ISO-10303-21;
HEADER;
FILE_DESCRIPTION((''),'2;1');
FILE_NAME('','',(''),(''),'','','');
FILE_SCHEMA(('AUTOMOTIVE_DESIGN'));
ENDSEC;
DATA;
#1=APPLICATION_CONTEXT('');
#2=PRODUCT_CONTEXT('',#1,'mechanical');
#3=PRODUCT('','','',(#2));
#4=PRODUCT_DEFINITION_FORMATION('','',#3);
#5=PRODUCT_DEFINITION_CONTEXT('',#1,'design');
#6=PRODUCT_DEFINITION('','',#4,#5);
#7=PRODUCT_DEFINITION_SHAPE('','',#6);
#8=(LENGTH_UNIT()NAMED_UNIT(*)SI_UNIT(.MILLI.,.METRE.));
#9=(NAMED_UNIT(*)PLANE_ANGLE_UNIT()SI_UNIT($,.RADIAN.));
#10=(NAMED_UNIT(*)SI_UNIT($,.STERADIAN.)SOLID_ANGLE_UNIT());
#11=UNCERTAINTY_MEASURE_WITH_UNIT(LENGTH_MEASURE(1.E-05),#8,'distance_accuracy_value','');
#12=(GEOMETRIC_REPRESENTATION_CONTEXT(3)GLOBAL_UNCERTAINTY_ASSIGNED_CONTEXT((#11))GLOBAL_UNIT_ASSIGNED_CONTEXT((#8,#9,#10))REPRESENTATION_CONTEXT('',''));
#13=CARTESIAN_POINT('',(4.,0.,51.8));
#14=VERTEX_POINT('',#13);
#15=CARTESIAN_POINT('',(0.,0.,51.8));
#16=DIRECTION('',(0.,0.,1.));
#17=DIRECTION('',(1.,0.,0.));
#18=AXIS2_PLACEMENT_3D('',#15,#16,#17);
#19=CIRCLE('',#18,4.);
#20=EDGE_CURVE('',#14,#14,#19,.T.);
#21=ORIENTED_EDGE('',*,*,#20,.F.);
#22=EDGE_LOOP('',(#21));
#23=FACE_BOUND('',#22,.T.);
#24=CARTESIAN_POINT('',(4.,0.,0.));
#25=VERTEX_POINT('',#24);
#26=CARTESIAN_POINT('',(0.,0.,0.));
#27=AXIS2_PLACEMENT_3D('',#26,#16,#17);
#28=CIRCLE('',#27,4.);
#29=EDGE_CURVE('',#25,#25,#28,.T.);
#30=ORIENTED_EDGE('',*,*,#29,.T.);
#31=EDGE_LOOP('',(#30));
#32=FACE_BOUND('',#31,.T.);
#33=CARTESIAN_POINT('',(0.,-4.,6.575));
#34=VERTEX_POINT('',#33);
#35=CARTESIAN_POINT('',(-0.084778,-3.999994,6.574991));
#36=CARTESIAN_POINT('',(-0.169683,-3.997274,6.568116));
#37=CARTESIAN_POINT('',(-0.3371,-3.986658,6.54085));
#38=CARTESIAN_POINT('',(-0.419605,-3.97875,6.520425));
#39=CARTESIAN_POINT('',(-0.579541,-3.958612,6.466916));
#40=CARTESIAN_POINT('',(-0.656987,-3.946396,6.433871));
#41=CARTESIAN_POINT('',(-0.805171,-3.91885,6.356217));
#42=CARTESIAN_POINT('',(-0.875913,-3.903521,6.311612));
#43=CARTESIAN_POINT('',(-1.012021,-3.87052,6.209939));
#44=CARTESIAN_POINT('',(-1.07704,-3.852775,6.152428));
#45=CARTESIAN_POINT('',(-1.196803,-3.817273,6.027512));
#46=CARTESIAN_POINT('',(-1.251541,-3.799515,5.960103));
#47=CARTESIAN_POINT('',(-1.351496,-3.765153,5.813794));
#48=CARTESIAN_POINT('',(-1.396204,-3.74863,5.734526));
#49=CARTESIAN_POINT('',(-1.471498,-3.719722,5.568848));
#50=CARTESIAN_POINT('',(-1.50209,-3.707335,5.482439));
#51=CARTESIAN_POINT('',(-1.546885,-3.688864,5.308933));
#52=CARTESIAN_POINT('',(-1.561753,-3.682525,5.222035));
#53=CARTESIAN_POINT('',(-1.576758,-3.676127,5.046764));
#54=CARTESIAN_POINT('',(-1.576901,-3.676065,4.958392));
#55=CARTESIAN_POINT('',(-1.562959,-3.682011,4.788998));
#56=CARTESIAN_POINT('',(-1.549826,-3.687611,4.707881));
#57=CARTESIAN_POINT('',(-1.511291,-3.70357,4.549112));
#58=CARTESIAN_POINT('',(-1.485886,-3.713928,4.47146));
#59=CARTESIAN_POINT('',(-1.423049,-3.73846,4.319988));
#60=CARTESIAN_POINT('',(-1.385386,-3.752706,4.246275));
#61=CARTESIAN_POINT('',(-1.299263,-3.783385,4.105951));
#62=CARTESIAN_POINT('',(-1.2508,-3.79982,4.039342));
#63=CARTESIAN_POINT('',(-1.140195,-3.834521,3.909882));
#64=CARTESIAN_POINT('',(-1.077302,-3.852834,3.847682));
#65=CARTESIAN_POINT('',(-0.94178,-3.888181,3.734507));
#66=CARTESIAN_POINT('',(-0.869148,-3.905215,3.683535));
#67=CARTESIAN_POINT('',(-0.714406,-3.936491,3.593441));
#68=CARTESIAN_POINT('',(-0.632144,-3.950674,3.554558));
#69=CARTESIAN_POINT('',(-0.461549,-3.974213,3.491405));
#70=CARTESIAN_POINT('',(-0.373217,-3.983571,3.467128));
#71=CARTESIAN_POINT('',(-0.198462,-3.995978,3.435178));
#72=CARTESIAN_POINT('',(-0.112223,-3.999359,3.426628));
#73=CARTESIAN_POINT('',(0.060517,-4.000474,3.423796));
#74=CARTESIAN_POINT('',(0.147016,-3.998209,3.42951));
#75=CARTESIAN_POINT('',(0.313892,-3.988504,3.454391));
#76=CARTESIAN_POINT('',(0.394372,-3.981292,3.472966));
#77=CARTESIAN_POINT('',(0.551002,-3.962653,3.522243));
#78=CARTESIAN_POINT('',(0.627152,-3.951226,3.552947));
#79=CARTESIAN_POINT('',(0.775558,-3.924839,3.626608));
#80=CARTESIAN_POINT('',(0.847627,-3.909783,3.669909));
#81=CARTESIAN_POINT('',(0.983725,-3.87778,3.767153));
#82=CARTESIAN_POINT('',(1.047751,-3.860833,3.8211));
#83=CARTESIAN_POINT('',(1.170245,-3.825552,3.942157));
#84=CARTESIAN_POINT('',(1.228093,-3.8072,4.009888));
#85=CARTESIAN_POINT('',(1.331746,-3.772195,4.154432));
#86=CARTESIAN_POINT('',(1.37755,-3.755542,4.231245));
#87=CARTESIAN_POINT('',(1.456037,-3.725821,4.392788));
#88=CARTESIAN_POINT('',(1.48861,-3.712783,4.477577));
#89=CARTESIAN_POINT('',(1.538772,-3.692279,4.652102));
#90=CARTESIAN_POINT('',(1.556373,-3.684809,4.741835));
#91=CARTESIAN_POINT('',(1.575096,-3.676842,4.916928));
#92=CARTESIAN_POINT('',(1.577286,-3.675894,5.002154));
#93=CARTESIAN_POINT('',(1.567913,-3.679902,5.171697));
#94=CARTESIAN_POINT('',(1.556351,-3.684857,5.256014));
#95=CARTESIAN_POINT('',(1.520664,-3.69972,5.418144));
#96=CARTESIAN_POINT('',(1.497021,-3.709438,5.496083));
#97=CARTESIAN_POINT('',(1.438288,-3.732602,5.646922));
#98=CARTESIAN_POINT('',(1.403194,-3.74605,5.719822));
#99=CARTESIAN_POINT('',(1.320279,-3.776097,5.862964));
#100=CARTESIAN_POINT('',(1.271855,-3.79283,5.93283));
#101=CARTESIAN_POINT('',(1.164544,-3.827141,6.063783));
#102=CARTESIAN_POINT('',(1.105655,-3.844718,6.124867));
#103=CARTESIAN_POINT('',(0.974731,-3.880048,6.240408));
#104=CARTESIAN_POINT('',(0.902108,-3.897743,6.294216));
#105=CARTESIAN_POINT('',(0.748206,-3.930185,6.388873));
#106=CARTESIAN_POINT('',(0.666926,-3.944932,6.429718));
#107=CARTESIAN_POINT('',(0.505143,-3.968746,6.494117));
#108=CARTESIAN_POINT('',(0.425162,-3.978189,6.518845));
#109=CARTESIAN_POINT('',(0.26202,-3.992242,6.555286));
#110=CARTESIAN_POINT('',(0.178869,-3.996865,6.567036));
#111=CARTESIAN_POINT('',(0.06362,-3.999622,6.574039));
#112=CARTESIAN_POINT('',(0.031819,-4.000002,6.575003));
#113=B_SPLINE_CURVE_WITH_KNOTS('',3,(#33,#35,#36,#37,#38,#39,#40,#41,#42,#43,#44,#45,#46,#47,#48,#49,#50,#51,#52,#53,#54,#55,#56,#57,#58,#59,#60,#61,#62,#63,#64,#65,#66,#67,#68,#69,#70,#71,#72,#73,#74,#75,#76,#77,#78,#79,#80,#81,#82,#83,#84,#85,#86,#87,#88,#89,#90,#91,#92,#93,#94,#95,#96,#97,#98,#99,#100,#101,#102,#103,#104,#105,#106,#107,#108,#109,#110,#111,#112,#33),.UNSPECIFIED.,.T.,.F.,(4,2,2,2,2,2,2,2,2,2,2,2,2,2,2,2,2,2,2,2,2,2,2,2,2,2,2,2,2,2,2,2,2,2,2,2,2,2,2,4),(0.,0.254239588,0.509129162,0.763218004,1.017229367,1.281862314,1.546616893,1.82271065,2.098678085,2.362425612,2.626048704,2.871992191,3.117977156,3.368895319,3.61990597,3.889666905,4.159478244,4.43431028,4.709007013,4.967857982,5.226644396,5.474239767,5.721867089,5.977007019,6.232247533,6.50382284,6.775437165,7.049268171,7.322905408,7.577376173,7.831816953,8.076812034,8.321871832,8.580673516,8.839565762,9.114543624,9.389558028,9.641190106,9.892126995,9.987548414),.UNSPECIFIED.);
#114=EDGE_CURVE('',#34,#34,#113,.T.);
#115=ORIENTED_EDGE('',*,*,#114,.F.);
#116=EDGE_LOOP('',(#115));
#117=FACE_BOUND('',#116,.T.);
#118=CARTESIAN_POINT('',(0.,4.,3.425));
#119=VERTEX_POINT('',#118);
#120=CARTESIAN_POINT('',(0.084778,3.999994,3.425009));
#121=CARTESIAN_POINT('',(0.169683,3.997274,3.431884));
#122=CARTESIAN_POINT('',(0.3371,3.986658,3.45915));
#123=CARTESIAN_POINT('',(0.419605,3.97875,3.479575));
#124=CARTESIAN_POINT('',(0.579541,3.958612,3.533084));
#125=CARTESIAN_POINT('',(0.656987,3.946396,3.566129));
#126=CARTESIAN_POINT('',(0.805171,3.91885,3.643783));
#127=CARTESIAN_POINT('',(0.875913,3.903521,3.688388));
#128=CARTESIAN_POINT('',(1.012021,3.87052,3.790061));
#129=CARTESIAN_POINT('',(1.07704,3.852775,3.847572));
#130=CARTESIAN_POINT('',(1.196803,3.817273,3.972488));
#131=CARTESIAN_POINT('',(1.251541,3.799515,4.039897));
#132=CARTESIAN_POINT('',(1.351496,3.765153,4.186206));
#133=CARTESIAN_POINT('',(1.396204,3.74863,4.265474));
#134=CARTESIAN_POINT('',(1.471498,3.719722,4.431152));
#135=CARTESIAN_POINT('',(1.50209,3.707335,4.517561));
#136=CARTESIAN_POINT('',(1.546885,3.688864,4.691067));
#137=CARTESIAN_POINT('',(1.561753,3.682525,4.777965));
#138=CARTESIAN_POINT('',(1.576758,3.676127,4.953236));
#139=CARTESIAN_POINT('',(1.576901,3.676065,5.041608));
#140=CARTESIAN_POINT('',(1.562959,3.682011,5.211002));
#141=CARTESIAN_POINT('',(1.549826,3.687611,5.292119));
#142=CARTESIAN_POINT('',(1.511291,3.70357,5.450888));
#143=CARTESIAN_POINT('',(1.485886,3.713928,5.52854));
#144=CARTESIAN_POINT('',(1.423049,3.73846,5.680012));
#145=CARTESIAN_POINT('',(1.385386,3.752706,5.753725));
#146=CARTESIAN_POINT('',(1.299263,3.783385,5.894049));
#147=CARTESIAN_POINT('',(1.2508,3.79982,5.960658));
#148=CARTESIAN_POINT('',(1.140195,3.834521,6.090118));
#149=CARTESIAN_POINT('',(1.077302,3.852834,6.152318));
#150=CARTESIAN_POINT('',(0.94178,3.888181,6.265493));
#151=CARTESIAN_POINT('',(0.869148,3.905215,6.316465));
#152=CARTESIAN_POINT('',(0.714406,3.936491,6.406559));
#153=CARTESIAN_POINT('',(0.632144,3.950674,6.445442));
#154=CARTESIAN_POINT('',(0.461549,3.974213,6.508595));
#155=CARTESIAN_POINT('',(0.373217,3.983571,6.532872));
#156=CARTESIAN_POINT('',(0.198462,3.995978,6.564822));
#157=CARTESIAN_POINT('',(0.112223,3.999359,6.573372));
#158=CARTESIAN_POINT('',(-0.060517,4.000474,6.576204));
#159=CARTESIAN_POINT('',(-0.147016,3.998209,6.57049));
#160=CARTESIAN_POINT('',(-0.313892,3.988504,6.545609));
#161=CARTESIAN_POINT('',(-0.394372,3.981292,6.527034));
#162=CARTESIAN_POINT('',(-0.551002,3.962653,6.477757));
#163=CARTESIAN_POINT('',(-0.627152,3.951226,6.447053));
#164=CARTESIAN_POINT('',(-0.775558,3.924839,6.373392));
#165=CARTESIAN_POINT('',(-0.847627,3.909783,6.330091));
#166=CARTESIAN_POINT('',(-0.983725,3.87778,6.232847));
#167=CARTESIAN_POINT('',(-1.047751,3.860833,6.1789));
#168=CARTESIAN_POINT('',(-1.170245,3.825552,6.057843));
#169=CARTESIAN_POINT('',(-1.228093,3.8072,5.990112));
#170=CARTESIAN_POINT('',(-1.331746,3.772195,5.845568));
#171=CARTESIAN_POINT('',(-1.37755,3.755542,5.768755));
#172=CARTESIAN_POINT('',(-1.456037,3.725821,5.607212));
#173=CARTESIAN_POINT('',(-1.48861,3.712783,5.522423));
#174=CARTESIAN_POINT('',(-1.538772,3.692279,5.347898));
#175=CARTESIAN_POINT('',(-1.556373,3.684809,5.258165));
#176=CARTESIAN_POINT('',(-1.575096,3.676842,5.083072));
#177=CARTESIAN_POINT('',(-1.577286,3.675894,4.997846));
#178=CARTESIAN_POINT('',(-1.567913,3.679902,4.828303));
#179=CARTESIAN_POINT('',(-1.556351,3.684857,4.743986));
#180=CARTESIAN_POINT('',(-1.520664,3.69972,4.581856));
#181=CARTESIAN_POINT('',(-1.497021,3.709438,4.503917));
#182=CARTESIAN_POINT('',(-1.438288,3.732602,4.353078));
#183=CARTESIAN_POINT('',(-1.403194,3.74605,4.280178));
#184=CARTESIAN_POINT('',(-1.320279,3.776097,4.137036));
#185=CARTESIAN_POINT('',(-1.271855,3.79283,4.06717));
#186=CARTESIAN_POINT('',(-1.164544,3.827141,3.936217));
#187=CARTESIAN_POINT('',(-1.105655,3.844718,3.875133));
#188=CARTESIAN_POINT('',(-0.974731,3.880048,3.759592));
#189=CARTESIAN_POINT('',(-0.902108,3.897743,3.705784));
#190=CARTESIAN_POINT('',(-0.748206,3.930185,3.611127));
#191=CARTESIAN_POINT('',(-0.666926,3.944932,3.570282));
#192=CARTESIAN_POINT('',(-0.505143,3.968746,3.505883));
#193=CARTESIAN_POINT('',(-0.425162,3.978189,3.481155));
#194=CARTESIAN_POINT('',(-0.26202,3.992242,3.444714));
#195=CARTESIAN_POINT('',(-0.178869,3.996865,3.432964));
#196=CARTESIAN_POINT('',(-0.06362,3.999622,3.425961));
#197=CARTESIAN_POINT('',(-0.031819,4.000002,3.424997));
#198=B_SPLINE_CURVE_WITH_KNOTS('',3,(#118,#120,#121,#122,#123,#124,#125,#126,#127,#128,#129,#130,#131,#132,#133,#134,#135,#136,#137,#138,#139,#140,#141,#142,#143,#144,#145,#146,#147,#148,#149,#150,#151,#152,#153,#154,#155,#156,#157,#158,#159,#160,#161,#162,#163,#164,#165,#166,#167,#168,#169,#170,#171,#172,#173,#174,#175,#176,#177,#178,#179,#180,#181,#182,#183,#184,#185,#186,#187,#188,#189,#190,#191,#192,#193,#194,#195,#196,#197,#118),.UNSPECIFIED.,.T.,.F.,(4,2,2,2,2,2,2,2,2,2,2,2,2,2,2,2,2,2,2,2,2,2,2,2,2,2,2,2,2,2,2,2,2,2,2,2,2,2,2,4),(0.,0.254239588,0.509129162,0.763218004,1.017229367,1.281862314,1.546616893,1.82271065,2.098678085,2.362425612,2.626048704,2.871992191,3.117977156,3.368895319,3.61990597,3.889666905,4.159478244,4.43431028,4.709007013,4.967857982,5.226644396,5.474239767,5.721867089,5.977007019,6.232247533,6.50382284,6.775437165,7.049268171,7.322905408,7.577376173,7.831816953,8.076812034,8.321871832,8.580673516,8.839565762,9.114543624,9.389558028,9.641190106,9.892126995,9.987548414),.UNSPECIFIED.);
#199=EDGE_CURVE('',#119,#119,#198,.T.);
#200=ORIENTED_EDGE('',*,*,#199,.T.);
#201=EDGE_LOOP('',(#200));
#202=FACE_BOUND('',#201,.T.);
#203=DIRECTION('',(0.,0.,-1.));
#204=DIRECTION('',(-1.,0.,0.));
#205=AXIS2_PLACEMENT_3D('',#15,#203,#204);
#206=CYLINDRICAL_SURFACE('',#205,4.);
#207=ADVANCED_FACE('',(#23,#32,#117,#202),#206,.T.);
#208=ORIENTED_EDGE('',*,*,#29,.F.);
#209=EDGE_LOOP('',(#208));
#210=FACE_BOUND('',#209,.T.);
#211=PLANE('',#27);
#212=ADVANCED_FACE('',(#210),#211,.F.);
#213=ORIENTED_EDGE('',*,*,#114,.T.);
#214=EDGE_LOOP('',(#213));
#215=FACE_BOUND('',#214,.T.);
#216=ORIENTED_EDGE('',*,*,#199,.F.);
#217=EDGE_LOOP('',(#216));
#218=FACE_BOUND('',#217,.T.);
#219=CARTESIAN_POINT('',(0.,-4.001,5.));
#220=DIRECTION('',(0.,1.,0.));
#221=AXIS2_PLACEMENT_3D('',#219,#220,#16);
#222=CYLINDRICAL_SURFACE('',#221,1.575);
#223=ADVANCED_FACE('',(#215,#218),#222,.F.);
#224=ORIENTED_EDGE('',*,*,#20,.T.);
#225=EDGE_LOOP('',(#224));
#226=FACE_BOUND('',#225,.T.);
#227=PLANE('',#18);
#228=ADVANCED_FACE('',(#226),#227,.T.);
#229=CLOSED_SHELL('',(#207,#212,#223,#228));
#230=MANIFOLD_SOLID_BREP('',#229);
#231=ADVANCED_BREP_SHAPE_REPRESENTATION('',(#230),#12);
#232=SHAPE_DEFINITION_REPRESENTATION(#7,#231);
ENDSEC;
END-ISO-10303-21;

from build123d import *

# Parameters (mm, degrees)
ESBO_O1_R                              = 4
RESSALTO_EXTRUS_O1_DEPTH               = 51.8
CORTE_EXTRUS_O1_REACH                  = 54.108
CORTE_EXTRUS_O1_END_RADIUS             = 4
ESBO_O2_R                              = 1.575
CORTE_EXTRUS_O1_DIRECTION_2_REACH      = 54.108
CORTE_EXTRUS_O1_DIRECTION_2_END_RADIUS = 4


with BuildPart() as part:
    # Esboço1 → Ressalto-extrusão1 (new body)
    with BuildSketch(Plane.XY):
        with Locations(Location((0, 0, 0), (0, 0, 180))):
            Circle(ESBO_O1_R)
    extrude(amount=RESSALTO_EXTRUS_O1_DEPTH)

    # Corte-extrusão1: up to this cylinder (the profile starts inside it)
    corte_extrus_o1_end = Plane(origin=(0, 0, 5), z_dir=(0, 0, -1)) * Cylinder(CORTE_EXTRUS_O1_END_RADIUS, 117.216, mode=Mode.PRIVATE)
    # Esboço2 → Corte-extrusão1 (cut, up to the surface)
    with BuildSketch(Plane(origin=(0, 0, 0), x_dir=(1, 0, 0), z_dir=(0, 1, 0)), mode=Mode.PRIVATE) as corte_extrus_o1_sk1:
        with Locations(Location((0, -5, 0), (0, 0, 270))):
            Circle(ESBO_O2_R)
    corte_extrus_o1_tool1 = extrude(corte_extrus_o1_sk1.sketch, amount=-CORTE_EXTRUS_O1_REACH, mode=Mode.PRIVATE) & corte_extrus_o1_end
    add(corte_extrus_o1_tool1.solids().sort_by_distance((0, 0, 5))[0], mode=Mode.SUBTRACT)

    # Corte-extrusão1 direction 2: up to this cylinder (the profile starts inside it)
    corte_extrus_o1_direction_2_end = Plane(origin=(0, 0, 5), z_dir=(0, 0, -1)) * Cylinder(CORTE_EXTRUS_O1_DIRECTION_2_END_RADIUS, 117.216, mode=Mode.PRIVATE)
    # Esboço2 → Corte-extrusão1 direction 2 (cut, up to the surface)
    with BuildSketch(Plane(origin=(0, 0, 0), x_dir=(1, 0, 0), z_dir=(0, 1, 0)), mode=Mode.PRIVATE) as corte_extrus_o1_direction_2_sk1:
        with Locations(Location((0, -5, 0), (0, 0, 270))):
            Circle(ESBO_O2_R)
    corte_extrus_o1_direction_2_tool1 = extrude(corte_extrus_o1_direction_2_sk1.sketch, amount=CORTE_EXTRUS_O1_DIRECTION_2_REACH, mode=Mode.PRIVATE) & corte_extrus_o1_direction_2_end
    add(corte_extrus_o1_direction_2_tool1.solids().sort_by_distance((0, 0, 5))[0], mode=Mode.SUBTRACT)


solid = part.part
